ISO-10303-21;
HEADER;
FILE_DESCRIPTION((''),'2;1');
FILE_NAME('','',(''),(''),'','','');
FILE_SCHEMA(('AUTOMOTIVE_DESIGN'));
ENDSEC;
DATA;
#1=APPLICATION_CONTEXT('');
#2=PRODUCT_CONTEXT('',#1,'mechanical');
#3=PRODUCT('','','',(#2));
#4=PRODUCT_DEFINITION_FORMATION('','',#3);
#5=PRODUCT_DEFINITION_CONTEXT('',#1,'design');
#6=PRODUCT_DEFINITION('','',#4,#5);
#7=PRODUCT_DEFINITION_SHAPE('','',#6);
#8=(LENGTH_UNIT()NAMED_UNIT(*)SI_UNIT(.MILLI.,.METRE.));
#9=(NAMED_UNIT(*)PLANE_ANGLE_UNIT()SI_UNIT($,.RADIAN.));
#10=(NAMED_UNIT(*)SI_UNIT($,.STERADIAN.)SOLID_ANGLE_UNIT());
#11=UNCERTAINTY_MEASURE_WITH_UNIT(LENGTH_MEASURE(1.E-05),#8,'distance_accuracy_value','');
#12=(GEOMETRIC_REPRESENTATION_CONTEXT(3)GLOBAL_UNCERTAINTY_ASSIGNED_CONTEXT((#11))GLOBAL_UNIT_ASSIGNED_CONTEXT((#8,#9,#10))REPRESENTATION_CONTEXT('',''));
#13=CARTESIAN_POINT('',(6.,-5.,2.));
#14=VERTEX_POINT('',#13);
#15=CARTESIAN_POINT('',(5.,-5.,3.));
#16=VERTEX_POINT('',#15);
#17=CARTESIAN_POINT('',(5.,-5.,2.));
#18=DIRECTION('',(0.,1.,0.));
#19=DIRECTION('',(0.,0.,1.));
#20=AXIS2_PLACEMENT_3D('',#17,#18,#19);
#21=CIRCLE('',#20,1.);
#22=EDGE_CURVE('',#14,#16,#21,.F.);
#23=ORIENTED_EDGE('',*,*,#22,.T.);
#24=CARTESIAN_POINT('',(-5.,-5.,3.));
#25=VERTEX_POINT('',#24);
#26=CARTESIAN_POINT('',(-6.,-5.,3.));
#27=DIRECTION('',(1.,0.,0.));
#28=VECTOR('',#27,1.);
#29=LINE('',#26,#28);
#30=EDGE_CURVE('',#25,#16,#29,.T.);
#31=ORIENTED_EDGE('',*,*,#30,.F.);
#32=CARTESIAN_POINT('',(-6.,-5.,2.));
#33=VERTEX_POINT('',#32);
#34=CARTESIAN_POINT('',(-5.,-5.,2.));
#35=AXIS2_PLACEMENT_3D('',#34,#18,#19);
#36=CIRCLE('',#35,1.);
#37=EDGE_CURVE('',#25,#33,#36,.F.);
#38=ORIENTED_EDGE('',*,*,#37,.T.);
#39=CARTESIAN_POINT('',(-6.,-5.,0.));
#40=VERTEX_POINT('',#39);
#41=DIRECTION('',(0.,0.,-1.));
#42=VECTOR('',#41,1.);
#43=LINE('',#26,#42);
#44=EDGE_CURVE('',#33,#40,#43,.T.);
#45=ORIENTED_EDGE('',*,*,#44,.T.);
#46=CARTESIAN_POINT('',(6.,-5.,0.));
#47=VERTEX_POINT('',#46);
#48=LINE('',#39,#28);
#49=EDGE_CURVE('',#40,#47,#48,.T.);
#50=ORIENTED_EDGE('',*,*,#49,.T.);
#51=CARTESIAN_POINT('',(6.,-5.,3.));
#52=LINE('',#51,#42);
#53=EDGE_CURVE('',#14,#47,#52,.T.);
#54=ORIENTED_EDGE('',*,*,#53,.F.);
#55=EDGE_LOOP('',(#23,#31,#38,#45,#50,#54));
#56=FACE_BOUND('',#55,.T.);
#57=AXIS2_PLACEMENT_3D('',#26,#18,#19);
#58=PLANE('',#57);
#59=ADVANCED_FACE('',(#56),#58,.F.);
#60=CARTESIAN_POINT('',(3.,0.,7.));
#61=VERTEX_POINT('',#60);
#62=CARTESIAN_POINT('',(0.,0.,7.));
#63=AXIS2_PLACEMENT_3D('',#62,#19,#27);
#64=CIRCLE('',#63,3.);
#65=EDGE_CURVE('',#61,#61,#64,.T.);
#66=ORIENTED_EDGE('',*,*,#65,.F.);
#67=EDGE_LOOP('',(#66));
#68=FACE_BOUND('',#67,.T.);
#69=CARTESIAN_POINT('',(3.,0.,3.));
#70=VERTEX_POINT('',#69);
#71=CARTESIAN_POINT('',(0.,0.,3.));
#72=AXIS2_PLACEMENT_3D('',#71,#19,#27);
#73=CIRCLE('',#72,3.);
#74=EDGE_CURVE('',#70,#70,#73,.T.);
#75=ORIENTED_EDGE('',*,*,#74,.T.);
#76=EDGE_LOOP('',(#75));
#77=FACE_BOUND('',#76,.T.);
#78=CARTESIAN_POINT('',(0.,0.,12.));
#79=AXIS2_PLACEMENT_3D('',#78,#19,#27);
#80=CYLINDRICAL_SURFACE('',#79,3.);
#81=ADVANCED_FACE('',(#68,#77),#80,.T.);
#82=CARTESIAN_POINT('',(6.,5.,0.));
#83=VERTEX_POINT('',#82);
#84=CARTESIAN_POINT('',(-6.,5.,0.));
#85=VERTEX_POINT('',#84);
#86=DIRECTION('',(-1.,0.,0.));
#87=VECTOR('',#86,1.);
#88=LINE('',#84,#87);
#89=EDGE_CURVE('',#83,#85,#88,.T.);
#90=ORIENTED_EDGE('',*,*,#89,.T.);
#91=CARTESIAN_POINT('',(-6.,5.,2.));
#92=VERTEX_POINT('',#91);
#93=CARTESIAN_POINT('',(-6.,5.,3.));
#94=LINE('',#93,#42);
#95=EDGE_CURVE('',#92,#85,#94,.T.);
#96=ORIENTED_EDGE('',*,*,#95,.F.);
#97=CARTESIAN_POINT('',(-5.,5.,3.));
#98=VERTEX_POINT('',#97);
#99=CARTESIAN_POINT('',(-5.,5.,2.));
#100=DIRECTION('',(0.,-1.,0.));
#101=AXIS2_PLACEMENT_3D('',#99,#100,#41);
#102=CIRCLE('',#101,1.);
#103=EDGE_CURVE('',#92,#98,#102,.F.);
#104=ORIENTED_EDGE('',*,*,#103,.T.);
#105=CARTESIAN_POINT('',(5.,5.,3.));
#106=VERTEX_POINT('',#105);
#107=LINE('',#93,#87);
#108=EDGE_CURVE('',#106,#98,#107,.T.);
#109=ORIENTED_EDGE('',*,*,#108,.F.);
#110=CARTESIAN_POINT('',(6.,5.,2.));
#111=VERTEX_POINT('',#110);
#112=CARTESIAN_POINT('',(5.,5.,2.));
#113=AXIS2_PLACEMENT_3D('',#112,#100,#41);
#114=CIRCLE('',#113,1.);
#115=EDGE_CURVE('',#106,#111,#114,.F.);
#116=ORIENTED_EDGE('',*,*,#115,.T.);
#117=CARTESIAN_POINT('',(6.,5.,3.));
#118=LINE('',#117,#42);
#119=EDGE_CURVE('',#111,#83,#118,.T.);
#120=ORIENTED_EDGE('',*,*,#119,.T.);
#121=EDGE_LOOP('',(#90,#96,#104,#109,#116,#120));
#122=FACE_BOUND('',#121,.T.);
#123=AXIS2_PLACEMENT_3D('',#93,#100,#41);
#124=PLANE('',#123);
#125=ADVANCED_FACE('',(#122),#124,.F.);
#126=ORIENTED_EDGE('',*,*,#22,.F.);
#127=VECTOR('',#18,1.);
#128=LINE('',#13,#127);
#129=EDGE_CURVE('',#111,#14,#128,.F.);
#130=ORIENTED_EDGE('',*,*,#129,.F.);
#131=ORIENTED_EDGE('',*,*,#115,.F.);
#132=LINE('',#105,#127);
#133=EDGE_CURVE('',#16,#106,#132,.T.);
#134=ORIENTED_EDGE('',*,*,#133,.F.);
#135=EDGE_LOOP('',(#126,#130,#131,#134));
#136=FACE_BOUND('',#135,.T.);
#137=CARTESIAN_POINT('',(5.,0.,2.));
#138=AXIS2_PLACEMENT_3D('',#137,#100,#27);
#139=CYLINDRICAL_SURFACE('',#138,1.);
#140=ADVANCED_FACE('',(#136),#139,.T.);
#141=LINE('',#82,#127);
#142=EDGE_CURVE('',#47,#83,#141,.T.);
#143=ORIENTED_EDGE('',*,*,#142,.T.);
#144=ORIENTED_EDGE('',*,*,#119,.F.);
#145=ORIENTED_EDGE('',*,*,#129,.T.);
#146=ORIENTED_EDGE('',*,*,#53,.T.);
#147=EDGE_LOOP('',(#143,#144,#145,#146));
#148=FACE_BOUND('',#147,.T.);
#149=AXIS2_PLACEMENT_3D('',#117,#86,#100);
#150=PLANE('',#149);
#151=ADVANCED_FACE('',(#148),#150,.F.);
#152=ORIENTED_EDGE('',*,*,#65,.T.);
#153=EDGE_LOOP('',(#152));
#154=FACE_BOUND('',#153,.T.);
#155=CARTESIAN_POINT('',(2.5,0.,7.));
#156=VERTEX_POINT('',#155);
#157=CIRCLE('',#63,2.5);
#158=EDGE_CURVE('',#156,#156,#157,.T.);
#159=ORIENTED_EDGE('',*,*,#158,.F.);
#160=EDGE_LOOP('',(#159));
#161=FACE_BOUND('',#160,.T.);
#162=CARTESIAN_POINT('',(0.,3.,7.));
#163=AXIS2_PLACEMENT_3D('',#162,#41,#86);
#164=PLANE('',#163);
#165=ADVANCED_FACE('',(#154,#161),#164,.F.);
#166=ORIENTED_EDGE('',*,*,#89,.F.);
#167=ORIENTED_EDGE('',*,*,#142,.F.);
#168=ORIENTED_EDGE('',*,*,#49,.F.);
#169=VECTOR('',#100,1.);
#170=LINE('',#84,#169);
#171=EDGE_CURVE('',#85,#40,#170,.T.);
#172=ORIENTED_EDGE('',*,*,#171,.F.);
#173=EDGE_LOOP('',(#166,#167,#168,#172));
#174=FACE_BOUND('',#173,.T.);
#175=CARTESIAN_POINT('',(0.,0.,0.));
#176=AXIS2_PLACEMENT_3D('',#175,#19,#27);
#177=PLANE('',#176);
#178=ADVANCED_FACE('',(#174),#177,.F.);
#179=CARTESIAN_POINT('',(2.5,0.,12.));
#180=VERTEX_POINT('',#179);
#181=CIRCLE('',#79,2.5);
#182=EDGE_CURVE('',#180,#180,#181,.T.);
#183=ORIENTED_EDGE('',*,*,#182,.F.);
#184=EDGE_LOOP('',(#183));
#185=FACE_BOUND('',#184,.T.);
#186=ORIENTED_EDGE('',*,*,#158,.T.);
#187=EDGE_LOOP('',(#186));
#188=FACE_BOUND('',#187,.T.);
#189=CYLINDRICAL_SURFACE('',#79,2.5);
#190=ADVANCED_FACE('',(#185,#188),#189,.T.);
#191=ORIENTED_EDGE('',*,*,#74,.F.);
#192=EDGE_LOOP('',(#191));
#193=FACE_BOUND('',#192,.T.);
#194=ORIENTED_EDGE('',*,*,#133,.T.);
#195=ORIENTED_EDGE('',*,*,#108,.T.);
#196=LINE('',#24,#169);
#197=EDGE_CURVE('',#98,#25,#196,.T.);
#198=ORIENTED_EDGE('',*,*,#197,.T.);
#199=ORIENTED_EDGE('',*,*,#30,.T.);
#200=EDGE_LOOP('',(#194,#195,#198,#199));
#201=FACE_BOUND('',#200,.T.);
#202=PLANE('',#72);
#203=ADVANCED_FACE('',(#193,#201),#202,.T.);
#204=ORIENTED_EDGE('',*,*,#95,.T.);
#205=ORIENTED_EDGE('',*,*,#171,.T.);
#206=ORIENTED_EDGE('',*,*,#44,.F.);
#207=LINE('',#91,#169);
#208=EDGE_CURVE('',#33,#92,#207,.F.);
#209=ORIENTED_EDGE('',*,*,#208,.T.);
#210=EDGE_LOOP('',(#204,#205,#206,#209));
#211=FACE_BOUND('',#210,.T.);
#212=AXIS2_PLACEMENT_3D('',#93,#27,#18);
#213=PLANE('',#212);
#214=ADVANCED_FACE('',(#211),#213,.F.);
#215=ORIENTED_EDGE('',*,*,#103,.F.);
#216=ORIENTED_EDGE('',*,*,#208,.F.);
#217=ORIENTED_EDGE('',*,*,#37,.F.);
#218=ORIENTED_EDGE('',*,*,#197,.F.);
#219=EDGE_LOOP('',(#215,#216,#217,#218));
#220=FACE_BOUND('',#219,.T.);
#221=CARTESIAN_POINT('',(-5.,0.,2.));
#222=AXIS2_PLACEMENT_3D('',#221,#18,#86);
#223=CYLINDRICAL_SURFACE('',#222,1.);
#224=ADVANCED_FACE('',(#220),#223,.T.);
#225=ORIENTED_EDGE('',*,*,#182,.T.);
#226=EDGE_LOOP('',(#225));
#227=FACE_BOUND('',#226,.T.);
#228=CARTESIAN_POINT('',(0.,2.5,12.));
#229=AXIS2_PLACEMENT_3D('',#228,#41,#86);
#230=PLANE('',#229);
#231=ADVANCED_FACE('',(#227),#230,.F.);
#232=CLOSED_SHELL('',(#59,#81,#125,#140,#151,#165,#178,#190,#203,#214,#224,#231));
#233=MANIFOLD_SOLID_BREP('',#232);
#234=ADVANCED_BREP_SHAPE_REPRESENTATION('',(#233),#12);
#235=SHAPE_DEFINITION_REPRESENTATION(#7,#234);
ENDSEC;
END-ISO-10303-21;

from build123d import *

# Parameters (mm, degrees)
SKETCH2_W           = 12
SKETCH2_H           = 10
BOSS_EXTRUDE1_DEPTH = 3
FILLET1_R           = 1


with BuildPart() as part:
    # Sketch2 → Boss-Extrude1 (new body)
    with BuildSketch(Plane.XY):
        Rectangle(SKETCH2_W, SKETCH2_H)
    extrude(amount=BOSS_EXTRUDE1_DEPTH)

    # Sketch3 → Revolve1 (revolve)
    with BuildSketch(Plane(origin=(0, 0, 0), x_dir=(0, 0, -1), z_dir=(1, 0, 0))):
        Polygon((-3, 0), (-3, 3), (-7, 3), (-7, 2.5), (-12, 2.5), (-12, 0), align=None)
    revolve(axis=Axis((0, 0, 12), (0, 0, -1)))

    # Fillet1
    fillet1_edges = [part.edges().sort_by_distance(p)[0] for p in [
        (-6, 0, 3),
        (6, 0, 3),
    ]]
    fillet(fillet1_edges, radius=FILLET1_R)


solid = part.part
